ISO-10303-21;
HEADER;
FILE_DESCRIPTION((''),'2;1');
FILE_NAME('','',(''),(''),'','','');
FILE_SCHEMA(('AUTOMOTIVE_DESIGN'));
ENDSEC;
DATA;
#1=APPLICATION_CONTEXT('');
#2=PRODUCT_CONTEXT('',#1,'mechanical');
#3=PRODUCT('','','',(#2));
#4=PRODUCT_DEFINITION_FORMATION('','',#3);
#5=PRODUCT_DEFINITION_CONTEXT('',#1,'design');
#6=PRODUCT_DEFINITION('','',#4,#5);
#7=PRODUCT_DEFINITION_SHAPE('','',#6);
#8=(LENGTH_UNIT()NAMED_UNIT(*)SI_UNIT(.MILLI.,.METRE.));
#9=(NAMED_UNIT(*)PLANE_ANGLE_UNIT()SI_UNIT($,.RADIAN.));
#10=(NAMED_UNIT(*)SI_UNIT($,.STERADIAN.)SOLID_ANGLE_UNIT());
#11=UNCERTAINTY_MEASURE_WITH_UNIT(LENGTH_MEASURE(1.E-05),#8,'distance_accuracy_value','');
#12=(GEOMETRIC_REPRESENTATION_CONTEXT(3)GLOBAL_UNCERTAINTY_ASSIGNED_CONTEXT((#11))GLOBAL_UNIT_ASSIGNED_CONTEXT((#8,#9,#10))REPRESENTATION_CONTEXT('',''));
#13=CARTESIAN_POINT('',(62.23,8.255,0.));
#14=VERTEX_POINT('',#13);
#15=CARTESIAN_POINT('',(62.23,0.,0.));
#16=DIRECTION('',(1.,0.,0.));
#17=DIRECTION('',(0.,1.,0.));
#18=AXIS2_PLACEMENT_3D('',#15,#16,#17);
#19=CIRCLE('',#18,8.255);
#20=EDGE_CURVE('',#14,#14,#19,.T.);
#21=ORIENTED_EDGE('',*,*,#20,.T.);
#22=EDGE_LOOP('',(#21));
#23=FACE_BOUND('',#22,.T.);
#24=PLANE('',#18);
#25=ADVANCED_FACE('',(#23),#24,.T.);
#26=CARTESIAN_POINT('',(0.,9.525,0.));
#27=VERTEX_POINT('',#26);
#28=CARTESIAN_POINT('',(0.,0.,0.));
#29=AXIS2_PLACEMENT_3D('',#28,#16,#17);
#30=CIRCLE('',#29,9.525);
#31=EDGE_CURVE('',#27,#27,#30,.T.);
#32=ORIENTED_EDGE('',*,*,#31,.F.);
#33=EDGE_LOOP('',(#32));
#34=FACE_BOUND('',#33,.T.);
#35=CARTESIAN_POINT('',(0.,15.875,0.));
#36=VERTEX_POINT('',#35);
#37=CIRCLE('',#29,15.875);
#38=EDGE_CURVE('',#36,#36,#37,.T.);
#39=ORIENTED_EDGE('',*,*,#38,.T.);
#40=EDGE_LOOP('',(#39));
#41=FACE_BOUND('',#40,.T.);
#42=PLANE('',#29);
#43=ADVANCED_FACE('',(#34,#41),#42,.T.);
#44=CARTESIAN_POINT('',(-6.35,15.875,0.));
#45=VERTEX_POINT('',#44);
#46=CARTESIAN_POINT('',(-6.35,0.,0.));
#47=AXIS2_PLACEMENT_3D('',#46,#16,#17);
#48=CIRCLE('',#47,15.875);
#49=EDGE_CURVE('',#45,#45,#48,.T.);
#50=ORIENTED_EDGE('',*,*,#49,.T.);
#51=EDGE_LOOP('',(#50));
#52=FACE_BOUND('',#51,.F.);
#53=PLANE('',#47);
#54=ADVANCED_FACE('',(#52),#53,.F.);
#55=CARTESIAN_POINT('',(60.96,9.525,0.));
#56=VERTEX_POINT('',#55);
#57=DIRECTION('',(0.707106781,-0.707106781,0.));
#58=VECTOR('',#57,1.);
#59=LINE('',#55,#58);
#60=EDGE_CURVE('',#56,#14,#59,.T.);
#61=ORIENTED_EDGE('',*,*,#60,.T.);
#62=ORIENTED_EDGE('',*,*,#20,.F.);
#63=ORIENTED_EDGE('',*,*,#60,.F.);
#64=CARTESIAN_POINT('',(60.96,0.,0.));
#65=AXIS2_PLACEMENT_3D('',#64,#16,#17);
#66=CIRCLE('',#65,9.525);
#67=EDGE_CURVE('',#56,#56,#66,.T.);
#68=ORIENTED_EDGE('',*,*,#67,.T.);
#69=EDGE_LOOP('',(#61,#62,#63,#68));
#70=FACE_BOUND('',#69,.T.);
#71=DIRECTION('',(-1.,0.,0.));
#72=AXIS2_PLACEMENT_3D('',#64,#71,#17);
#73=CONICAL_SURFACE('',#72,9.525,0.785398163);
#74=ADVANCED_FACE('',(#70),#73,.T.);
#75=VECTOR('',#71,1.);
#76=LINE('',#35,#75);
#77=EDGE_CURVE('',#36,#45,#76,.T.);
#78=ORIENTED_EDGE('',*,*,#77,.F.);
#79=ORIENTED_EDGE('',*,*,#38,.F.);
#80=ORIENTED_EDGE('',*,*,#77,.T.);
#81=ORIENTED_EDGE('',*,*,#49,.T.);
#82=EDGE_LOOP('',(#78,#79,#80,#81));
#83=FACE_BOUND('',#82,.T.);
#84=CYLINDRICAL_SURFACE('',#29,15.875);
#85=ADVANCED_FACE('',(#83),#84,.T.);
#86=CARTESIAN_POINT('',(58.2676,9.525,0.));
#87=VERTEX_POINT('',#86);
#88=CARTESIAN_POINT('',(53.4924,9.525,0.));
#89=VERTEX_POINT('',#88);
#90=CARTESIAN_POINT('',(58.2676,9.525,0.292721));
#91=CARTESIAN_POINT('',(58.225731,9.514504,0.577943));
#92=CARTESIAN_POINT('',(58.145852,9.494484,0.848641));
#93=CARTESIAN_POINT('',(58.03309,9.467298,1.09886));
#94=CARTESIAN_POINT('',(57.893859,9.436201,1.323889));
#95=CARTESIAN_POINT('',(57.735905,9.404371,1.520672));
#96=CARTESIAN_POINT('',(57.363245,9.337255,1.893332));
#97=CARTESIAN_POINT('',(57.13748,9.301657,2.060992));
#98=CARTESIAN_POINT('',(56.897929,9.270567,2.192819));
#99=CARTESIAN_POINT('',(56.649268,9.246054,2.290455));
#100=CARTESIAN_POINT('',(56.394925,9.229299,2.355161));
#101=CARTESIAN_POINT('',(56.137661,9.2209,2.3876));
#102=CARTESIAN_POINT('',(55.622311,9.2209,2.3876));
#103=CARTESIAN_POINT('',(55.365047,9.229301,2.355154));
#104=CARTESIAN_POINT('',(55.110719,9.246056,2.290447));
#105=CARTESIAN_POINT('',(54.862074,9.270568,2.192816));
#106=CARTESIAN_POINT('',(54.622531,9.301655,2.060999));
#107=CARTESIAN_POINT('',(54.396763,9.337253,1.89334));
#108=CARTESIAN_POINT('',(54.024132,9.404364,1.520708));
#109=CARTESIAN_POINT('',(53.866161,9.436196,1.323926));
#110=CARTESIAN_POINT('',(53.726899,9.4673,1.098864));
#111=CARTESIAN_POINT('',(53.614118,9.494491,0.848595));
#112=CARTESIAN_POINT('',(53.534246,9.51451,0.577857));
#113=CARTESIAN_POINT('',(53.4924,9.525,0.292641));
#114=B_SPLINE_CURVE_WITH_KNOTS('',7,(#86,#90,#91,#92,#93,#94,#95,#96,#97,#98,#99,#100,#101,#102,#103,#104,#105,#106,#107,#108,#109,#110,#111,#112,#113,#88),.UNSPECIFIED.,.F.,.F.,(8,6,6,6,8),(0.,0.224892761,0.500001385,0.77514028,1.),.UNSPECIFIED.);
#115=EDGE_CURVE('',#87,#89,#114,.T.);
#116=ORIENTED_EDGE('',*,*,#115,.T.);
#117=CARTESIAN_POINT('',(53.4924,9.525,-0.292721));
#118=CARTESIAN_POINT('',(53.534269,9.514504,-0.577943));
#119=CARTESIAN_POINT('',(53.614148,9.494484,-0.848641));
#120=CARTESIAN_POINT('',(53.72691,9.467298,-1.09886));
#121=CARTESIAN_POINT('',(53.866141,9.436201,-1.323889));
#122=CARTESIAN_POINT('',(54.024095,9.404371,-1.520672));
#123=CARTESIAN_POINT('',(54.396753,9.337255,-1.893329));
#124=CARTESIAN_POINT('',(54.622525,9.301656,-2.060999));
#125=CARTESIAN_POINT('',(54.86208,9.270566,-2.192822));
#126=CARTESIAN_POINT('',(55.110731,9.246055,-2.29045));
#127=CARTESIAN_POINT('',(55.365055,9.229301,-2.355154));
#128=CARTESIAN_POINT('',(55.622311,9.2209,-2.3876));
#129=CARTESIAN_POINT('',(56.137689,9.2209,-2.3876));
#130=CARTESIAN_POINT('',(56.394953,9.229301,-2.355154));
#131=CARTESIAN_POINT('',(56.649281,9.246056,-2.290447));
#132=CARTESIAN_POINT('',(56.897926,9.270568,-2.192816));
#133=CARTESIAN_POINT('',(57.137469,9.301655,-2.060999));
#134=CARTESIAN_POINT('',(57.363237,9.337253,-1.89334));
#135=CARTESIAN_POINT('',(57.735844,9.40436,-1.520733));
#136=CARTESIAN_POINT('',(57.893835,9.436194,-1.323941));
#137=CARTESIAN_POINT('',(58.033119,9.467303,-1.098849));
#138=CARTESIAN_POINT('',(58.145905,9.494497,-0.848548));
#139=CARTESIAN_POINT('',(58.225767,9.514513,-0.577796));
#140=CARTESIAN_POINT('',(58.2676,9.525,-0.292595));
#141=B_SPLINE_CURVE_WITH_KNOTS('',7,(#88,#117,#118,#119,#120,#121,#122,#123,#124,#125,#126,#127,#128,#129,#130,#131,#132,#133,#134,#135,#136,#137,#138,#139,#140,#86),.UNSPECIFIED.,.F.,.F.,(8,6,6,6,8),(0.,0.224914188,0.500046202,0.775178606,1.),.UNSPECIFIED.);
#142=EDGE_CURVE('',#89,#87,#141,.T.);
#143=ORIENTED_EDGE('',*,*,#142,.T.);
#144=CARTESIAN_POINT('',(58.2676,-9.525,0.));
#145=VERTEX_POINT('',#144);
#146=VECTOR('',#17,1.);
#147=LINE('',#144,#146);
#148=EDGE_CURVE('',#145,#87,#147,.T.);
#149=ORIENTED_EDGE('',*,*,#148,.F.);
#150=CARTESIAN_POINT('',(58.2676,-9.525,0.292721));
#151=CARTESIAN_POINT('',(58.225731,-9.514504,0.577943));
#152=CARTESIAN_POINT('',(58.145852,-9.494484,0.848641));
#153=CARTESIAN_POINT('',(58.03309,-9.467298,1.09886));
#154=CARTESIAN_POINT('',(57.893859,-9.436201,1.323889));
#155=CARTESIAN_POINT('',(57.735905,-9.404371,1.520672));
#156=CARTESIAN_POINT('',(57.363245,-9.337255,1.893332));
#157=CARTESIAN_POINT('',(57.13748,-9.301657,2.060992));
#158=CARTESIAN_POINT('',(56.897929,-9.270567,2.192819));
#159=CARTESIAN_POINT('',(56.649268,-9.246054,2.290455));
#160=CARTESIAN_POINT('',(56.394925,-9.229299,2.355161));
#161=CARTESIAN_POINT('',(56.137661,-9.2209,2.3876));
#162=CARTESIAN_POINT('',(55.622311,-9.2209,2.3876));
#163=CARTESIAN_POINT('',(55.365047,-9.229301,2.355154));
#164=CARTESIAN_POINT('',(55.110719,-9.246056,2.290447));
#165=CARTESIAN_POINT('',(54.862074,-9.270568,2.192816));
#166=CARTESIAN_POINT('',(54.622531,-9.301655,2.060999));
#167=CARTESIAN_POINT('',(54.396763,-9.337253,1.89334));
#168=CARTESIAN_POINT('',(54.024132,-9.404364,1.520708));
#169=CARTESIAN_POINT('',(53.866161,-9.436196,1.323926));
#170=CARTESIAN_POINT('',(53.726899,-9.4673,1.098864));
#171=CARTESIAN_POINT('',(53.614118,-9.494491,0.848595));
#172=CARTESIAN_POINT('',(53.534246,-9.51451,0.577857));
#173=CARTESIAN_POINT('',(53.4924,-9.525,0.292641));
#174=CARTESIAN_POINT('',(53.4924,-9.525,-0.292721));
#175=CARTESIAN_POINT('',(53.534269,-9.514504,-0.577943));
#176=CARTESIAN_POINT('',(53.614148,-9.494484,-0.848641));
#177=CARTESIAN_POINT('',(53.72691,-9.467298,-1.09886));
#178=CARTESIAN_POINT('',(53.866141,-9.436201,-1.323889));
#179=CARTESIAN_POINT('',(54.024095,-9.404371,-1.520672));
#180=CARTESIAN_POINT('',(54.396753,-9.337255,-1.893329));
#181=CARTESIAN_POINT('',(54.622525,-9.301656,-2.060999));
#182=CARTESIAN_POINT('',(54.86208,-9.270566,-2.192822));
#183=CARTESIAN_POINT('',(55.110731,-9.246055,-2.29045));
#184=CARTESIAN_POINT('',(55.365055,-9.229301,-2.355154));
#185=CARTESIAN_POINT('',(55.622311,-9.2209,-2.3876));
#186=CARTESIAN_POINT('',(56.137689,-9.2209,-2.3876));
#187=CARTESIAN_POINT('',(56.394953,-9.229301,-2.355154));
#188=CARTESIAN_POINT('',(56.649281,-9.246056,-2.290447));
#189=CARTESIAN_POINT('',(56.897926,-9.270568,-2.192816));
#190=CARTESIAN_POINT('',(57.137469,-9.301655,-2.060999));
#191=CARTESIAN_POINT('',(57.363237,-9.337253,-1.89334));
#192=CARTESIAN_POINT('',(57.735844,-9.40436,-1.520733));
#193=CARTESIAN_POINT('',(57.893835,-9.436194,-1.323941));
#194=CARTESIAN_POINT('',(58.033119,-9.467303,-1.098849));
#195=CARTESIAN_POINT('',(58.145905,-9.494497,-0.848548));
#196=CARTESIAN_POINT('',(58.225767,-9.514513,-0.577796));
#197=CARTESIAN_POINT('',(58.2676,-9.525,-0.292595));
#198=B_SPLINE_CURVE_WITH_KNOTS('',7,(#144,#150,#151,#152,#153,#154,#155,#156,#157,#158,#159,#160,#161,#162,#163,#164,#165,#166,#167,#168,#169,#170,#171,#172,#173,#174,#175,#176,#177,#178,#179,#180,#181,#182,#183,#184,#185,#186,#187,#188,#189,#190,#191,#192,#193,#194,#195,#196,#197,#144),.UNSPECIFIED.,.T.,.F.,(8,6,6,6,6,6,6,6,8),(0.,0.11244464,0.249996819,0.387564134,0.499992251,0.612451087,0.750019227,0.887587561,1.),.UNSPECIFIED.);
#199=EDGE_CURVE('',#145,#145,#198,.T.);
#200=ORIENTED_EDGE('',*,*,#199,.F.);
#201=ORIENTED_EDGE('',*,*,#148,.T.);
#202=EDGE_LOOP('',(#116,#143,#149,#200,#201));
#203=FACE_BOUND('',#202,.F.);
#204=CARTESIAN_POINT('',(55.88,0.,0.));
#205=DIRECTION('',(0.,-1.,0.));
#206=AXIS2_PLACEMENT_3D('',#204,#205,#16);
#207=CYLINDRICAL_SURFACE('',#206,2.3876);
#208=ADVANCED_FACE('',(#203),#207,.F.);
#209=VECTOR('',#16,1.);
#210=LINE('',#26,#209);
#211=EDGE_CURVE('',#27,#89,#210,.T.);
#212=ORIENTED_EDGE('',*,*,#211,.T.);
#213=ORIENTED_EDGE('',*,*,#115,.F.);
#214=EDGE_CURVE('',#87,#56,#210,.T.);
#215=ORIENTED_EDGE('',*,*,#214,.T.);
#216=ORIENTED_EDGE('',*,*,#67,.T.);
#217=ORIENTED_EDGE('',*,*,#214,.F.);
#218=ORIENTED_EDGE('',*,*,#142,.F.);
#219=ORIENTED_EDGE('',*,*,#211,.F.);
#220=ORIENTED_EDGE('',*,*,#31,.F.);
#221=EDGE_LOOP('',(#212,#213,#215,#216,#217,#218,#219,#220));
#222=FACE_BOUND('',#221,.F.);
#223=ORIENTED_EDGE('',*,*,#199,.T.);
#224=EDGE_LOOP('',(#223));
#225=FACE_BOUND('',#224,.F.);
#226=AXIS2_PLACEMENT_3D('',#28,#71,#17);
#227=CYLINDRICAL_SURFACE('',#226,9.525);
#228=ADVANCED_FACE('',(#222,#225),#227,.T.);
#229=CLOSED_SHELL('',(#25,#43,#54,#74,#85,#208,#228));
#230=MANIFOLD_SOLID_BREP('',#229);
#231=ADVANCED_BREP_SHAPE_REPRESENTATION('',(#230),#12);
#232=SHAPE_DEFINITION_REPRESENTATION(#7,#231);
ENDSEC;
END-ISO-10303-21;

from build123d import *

# Parameters (mm, degrees)
F0_R          = 9.525
F1_DEPTH      = 62.23
F2_R          = 2.3876
F3_DEPTH      = 9.526
F3_DEPTH_BACK = 9.526
F4_R          = 15.875
F5_DEPTH      = 6.35
F6_SIZE2      = 1.27
F6_SIZE       = 1.27


with BuildPart() as f1:
    # F0 (on Right) → F1 (new body)
    with BuildSketch(Plane.YZ):
        Circle(F0_R)
    extrude(amount=F1_DEPTH)

    # F2 (on Front) → F3 (cut, two sides)
    with BuildSketch(Plane.XZ) as f3_sk:
        with Locations((55.88, 0)):
            Circle(F2_R)
    extrude(amount=-F3_DEPTH, mode=Mode.SUBTRACT)
    extrude(f3_sk.sketch, amount=F3_DEPTH_BACK, mode=Mode.SUBTRACT)

    # F4 (on Right) → F5 (join)
    with BuildSketch(Plane.YZ):
        Circle(F4_R)
    extrude(amount=-F5_DEPTH)

    # F6
    f6_edges = [f1.edges().sort_by_distance(p)[0] for p in [
        (62.23, -9.525, 0),
    ]]
    chamfer(f6_edges, length=F6_SIZE, length2=F6_SIZE2)


solid = f1.part
